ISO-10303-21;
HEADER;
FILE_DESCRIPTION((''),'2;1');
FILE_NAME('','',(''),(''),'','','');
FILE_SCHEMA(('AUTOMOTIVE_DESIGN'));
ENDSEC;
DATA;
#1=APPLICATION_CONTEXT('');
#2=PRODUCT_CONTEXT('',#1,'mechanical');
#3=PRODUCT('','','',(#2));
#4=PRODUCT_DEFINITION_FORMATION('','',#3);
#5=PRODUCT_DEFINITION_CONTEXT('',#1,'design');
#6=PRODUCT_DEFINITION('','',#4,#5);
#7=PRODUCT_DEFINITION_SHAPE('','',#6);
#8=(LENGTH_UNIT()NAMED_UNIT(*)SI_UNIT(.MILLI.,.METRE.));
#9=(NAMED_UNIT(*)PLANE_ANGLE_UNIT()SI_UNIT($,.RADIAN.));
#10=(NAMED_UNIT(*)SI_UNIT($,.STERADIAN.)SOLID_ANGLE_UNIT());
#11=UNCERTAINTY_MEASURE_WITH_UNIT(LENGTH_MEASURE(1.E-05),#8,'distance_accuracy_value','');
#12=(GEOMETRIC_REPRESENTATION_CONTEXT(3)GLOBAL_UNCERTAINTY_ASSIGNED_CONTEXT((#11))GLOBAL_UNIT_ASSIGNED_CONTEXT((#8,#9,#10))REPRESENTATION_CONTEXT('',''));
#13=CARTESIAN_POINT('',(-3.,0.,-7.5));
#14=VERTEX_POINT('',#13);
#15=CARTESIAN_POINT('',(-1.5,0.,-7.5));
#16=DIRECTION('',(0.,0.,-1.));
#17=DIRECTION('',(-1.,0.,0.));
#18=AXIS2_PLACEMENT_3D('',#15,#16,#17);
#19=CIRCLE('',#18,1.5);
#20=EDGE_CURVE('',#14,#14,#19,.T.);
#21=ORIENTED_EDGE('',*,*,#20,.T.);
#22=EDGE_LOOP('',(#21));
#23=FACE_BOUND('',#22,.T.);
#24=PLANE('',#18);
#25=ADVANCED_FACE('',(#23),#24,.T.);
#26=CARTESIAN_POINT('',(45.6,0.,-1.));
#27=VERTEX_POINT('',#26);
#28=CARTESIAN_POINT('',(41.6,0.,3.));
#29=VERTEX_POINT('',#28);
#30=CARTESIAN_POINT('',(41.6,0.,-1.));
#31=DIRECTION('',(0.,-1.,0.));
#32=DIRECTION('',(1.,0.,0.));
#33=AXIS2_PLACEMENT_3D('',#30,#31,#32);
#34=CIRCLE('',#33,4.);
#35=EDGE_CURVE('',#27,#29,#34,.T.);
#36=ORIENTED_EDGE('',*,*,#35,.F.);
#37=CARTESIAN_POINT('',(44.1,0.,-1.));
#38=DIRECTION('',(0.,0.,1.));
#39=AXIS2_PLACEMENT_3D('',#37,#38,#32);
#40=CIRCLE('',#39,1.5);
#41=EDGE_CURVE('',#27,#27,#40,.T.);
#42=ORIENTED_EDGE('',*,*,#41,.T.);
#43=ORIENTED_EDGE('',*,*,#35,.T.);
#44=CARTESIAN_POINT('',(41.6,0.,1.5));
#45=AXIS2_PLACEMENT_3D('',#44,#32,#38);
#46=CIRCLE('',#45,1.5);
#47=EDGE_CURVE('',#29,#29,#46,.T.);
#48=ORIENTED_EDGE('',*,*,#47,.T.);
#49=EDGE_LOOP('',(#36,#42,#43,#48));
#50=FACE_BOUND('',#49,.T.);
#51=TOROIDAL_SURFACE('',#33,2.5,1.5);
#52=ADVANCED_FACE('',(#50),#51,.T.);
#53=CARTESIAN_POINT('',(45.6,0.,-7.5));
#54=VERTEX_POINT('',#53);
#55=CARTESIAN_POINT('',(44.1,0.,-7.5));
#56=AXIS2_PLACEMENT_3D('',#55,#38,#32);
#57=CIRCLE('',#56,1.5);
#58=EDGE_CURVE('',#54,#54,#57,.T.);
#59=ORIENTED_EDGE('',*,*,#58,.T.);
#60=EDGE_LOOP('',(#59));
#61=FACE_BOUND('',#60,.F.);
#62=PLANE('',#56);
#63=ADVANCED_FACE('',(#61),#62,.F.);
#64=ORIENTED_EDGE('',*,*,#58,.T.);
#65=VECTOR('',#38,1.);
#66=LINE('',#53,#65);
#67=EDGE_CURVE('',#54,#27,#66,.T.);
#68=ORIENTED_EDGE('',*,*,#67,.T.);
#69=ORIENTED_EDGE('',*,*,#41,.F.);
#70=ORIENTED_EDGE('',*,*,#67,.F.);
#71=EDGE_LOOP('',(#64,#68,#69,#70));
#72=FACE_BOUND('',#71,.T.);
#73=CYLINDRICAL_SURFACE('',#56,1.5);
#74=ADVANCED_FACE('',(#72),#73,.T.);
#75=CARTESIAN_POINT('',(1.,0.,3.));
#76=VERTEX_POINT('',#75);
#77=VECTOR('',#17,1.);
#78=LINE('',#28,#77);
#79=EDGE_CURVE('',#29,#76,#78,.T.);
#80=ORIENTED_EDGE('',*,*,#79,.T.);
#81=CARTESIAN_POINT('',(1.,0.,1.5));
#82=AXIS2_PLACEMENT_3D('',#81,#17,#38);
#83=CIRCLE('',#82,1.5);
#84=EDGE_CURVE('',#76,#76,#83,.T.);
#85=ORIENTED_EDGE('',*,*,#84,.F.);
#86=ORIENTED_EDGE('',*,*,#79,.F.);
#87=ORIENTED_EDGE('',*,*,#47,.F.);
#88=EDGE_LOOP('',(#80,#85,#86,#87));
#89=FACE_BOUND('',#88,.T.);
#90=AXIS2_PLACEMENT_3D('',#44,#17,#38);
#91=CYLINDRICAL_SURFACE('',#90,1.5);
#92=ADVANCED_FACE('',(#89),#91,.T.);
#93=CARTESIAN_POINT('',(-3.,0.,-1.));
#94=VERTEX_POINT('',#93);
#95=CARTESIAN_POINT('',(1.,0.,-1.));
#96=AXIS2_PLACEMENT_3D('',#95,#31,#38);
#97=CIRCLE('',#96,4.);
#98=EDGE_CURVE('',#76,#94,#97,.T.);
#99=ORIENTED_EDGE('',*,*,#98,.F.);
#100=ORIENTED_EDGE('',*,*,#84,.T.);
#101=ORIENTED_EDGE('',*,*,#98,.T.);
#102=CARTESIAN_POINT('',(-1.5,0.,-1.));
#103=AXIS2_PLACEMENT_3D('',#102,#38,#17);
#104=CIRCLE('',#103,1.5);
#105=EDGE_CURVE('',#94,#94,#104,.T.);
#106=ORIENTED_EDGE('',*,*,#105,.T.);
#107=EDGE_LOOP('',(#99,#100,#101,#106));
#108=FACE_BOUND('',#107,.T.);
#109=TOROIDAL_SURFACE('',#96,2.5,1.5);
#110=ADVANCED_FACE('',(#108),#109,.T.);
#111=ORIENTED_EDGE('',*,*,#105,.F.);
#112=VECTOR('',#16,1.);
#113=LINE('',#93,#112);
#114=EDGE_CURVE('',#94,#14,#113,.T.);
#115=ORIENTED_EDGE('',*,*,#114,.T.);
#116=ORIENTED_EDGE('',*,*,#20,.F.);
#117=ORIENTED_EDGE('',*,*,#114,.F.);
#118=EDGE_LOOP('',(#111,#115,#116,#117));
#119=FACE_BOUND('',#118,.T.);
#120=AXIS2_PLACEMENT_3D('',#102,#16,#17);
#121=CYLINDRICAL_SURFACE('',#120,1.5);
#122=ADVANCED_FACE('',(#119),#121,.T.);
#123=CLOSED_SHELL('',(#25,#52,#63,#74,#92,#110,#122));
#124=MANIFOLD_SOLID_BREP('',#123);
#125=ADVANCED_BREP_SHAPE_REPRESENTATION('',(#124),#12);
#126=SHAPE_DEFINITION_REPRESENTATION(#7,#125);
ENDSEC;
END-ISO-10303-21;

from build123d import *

# Parameters (mm, degrees)
F2_R = 1.5


with BuildPart() as f3:
    # F3: sweep along a path in F0
    with BuildLine(Plane.XZ) as f3_path:
        Line((42.6, -7.5), (42.6, -1))
        ThreePointArc((42.6, -1), (42.3071067812, -0.2928932188), (41.6, 0))
        Line((41.6, 0), (1, 0))
        ThreePointArc((1, 0), (0.2928932188, -0.2928932188), (0, -1))
        Line((0, -1), (0, -7.5))
    # F2 (on plane+point) → F3 (sweep)
    with BuildSketch(Plane.XY.offset(-7.5)):
        with Locations((44.1, 0)):
            Circle(F2_R)
    sweep(path=f3_path.line)


solid = f3.part
